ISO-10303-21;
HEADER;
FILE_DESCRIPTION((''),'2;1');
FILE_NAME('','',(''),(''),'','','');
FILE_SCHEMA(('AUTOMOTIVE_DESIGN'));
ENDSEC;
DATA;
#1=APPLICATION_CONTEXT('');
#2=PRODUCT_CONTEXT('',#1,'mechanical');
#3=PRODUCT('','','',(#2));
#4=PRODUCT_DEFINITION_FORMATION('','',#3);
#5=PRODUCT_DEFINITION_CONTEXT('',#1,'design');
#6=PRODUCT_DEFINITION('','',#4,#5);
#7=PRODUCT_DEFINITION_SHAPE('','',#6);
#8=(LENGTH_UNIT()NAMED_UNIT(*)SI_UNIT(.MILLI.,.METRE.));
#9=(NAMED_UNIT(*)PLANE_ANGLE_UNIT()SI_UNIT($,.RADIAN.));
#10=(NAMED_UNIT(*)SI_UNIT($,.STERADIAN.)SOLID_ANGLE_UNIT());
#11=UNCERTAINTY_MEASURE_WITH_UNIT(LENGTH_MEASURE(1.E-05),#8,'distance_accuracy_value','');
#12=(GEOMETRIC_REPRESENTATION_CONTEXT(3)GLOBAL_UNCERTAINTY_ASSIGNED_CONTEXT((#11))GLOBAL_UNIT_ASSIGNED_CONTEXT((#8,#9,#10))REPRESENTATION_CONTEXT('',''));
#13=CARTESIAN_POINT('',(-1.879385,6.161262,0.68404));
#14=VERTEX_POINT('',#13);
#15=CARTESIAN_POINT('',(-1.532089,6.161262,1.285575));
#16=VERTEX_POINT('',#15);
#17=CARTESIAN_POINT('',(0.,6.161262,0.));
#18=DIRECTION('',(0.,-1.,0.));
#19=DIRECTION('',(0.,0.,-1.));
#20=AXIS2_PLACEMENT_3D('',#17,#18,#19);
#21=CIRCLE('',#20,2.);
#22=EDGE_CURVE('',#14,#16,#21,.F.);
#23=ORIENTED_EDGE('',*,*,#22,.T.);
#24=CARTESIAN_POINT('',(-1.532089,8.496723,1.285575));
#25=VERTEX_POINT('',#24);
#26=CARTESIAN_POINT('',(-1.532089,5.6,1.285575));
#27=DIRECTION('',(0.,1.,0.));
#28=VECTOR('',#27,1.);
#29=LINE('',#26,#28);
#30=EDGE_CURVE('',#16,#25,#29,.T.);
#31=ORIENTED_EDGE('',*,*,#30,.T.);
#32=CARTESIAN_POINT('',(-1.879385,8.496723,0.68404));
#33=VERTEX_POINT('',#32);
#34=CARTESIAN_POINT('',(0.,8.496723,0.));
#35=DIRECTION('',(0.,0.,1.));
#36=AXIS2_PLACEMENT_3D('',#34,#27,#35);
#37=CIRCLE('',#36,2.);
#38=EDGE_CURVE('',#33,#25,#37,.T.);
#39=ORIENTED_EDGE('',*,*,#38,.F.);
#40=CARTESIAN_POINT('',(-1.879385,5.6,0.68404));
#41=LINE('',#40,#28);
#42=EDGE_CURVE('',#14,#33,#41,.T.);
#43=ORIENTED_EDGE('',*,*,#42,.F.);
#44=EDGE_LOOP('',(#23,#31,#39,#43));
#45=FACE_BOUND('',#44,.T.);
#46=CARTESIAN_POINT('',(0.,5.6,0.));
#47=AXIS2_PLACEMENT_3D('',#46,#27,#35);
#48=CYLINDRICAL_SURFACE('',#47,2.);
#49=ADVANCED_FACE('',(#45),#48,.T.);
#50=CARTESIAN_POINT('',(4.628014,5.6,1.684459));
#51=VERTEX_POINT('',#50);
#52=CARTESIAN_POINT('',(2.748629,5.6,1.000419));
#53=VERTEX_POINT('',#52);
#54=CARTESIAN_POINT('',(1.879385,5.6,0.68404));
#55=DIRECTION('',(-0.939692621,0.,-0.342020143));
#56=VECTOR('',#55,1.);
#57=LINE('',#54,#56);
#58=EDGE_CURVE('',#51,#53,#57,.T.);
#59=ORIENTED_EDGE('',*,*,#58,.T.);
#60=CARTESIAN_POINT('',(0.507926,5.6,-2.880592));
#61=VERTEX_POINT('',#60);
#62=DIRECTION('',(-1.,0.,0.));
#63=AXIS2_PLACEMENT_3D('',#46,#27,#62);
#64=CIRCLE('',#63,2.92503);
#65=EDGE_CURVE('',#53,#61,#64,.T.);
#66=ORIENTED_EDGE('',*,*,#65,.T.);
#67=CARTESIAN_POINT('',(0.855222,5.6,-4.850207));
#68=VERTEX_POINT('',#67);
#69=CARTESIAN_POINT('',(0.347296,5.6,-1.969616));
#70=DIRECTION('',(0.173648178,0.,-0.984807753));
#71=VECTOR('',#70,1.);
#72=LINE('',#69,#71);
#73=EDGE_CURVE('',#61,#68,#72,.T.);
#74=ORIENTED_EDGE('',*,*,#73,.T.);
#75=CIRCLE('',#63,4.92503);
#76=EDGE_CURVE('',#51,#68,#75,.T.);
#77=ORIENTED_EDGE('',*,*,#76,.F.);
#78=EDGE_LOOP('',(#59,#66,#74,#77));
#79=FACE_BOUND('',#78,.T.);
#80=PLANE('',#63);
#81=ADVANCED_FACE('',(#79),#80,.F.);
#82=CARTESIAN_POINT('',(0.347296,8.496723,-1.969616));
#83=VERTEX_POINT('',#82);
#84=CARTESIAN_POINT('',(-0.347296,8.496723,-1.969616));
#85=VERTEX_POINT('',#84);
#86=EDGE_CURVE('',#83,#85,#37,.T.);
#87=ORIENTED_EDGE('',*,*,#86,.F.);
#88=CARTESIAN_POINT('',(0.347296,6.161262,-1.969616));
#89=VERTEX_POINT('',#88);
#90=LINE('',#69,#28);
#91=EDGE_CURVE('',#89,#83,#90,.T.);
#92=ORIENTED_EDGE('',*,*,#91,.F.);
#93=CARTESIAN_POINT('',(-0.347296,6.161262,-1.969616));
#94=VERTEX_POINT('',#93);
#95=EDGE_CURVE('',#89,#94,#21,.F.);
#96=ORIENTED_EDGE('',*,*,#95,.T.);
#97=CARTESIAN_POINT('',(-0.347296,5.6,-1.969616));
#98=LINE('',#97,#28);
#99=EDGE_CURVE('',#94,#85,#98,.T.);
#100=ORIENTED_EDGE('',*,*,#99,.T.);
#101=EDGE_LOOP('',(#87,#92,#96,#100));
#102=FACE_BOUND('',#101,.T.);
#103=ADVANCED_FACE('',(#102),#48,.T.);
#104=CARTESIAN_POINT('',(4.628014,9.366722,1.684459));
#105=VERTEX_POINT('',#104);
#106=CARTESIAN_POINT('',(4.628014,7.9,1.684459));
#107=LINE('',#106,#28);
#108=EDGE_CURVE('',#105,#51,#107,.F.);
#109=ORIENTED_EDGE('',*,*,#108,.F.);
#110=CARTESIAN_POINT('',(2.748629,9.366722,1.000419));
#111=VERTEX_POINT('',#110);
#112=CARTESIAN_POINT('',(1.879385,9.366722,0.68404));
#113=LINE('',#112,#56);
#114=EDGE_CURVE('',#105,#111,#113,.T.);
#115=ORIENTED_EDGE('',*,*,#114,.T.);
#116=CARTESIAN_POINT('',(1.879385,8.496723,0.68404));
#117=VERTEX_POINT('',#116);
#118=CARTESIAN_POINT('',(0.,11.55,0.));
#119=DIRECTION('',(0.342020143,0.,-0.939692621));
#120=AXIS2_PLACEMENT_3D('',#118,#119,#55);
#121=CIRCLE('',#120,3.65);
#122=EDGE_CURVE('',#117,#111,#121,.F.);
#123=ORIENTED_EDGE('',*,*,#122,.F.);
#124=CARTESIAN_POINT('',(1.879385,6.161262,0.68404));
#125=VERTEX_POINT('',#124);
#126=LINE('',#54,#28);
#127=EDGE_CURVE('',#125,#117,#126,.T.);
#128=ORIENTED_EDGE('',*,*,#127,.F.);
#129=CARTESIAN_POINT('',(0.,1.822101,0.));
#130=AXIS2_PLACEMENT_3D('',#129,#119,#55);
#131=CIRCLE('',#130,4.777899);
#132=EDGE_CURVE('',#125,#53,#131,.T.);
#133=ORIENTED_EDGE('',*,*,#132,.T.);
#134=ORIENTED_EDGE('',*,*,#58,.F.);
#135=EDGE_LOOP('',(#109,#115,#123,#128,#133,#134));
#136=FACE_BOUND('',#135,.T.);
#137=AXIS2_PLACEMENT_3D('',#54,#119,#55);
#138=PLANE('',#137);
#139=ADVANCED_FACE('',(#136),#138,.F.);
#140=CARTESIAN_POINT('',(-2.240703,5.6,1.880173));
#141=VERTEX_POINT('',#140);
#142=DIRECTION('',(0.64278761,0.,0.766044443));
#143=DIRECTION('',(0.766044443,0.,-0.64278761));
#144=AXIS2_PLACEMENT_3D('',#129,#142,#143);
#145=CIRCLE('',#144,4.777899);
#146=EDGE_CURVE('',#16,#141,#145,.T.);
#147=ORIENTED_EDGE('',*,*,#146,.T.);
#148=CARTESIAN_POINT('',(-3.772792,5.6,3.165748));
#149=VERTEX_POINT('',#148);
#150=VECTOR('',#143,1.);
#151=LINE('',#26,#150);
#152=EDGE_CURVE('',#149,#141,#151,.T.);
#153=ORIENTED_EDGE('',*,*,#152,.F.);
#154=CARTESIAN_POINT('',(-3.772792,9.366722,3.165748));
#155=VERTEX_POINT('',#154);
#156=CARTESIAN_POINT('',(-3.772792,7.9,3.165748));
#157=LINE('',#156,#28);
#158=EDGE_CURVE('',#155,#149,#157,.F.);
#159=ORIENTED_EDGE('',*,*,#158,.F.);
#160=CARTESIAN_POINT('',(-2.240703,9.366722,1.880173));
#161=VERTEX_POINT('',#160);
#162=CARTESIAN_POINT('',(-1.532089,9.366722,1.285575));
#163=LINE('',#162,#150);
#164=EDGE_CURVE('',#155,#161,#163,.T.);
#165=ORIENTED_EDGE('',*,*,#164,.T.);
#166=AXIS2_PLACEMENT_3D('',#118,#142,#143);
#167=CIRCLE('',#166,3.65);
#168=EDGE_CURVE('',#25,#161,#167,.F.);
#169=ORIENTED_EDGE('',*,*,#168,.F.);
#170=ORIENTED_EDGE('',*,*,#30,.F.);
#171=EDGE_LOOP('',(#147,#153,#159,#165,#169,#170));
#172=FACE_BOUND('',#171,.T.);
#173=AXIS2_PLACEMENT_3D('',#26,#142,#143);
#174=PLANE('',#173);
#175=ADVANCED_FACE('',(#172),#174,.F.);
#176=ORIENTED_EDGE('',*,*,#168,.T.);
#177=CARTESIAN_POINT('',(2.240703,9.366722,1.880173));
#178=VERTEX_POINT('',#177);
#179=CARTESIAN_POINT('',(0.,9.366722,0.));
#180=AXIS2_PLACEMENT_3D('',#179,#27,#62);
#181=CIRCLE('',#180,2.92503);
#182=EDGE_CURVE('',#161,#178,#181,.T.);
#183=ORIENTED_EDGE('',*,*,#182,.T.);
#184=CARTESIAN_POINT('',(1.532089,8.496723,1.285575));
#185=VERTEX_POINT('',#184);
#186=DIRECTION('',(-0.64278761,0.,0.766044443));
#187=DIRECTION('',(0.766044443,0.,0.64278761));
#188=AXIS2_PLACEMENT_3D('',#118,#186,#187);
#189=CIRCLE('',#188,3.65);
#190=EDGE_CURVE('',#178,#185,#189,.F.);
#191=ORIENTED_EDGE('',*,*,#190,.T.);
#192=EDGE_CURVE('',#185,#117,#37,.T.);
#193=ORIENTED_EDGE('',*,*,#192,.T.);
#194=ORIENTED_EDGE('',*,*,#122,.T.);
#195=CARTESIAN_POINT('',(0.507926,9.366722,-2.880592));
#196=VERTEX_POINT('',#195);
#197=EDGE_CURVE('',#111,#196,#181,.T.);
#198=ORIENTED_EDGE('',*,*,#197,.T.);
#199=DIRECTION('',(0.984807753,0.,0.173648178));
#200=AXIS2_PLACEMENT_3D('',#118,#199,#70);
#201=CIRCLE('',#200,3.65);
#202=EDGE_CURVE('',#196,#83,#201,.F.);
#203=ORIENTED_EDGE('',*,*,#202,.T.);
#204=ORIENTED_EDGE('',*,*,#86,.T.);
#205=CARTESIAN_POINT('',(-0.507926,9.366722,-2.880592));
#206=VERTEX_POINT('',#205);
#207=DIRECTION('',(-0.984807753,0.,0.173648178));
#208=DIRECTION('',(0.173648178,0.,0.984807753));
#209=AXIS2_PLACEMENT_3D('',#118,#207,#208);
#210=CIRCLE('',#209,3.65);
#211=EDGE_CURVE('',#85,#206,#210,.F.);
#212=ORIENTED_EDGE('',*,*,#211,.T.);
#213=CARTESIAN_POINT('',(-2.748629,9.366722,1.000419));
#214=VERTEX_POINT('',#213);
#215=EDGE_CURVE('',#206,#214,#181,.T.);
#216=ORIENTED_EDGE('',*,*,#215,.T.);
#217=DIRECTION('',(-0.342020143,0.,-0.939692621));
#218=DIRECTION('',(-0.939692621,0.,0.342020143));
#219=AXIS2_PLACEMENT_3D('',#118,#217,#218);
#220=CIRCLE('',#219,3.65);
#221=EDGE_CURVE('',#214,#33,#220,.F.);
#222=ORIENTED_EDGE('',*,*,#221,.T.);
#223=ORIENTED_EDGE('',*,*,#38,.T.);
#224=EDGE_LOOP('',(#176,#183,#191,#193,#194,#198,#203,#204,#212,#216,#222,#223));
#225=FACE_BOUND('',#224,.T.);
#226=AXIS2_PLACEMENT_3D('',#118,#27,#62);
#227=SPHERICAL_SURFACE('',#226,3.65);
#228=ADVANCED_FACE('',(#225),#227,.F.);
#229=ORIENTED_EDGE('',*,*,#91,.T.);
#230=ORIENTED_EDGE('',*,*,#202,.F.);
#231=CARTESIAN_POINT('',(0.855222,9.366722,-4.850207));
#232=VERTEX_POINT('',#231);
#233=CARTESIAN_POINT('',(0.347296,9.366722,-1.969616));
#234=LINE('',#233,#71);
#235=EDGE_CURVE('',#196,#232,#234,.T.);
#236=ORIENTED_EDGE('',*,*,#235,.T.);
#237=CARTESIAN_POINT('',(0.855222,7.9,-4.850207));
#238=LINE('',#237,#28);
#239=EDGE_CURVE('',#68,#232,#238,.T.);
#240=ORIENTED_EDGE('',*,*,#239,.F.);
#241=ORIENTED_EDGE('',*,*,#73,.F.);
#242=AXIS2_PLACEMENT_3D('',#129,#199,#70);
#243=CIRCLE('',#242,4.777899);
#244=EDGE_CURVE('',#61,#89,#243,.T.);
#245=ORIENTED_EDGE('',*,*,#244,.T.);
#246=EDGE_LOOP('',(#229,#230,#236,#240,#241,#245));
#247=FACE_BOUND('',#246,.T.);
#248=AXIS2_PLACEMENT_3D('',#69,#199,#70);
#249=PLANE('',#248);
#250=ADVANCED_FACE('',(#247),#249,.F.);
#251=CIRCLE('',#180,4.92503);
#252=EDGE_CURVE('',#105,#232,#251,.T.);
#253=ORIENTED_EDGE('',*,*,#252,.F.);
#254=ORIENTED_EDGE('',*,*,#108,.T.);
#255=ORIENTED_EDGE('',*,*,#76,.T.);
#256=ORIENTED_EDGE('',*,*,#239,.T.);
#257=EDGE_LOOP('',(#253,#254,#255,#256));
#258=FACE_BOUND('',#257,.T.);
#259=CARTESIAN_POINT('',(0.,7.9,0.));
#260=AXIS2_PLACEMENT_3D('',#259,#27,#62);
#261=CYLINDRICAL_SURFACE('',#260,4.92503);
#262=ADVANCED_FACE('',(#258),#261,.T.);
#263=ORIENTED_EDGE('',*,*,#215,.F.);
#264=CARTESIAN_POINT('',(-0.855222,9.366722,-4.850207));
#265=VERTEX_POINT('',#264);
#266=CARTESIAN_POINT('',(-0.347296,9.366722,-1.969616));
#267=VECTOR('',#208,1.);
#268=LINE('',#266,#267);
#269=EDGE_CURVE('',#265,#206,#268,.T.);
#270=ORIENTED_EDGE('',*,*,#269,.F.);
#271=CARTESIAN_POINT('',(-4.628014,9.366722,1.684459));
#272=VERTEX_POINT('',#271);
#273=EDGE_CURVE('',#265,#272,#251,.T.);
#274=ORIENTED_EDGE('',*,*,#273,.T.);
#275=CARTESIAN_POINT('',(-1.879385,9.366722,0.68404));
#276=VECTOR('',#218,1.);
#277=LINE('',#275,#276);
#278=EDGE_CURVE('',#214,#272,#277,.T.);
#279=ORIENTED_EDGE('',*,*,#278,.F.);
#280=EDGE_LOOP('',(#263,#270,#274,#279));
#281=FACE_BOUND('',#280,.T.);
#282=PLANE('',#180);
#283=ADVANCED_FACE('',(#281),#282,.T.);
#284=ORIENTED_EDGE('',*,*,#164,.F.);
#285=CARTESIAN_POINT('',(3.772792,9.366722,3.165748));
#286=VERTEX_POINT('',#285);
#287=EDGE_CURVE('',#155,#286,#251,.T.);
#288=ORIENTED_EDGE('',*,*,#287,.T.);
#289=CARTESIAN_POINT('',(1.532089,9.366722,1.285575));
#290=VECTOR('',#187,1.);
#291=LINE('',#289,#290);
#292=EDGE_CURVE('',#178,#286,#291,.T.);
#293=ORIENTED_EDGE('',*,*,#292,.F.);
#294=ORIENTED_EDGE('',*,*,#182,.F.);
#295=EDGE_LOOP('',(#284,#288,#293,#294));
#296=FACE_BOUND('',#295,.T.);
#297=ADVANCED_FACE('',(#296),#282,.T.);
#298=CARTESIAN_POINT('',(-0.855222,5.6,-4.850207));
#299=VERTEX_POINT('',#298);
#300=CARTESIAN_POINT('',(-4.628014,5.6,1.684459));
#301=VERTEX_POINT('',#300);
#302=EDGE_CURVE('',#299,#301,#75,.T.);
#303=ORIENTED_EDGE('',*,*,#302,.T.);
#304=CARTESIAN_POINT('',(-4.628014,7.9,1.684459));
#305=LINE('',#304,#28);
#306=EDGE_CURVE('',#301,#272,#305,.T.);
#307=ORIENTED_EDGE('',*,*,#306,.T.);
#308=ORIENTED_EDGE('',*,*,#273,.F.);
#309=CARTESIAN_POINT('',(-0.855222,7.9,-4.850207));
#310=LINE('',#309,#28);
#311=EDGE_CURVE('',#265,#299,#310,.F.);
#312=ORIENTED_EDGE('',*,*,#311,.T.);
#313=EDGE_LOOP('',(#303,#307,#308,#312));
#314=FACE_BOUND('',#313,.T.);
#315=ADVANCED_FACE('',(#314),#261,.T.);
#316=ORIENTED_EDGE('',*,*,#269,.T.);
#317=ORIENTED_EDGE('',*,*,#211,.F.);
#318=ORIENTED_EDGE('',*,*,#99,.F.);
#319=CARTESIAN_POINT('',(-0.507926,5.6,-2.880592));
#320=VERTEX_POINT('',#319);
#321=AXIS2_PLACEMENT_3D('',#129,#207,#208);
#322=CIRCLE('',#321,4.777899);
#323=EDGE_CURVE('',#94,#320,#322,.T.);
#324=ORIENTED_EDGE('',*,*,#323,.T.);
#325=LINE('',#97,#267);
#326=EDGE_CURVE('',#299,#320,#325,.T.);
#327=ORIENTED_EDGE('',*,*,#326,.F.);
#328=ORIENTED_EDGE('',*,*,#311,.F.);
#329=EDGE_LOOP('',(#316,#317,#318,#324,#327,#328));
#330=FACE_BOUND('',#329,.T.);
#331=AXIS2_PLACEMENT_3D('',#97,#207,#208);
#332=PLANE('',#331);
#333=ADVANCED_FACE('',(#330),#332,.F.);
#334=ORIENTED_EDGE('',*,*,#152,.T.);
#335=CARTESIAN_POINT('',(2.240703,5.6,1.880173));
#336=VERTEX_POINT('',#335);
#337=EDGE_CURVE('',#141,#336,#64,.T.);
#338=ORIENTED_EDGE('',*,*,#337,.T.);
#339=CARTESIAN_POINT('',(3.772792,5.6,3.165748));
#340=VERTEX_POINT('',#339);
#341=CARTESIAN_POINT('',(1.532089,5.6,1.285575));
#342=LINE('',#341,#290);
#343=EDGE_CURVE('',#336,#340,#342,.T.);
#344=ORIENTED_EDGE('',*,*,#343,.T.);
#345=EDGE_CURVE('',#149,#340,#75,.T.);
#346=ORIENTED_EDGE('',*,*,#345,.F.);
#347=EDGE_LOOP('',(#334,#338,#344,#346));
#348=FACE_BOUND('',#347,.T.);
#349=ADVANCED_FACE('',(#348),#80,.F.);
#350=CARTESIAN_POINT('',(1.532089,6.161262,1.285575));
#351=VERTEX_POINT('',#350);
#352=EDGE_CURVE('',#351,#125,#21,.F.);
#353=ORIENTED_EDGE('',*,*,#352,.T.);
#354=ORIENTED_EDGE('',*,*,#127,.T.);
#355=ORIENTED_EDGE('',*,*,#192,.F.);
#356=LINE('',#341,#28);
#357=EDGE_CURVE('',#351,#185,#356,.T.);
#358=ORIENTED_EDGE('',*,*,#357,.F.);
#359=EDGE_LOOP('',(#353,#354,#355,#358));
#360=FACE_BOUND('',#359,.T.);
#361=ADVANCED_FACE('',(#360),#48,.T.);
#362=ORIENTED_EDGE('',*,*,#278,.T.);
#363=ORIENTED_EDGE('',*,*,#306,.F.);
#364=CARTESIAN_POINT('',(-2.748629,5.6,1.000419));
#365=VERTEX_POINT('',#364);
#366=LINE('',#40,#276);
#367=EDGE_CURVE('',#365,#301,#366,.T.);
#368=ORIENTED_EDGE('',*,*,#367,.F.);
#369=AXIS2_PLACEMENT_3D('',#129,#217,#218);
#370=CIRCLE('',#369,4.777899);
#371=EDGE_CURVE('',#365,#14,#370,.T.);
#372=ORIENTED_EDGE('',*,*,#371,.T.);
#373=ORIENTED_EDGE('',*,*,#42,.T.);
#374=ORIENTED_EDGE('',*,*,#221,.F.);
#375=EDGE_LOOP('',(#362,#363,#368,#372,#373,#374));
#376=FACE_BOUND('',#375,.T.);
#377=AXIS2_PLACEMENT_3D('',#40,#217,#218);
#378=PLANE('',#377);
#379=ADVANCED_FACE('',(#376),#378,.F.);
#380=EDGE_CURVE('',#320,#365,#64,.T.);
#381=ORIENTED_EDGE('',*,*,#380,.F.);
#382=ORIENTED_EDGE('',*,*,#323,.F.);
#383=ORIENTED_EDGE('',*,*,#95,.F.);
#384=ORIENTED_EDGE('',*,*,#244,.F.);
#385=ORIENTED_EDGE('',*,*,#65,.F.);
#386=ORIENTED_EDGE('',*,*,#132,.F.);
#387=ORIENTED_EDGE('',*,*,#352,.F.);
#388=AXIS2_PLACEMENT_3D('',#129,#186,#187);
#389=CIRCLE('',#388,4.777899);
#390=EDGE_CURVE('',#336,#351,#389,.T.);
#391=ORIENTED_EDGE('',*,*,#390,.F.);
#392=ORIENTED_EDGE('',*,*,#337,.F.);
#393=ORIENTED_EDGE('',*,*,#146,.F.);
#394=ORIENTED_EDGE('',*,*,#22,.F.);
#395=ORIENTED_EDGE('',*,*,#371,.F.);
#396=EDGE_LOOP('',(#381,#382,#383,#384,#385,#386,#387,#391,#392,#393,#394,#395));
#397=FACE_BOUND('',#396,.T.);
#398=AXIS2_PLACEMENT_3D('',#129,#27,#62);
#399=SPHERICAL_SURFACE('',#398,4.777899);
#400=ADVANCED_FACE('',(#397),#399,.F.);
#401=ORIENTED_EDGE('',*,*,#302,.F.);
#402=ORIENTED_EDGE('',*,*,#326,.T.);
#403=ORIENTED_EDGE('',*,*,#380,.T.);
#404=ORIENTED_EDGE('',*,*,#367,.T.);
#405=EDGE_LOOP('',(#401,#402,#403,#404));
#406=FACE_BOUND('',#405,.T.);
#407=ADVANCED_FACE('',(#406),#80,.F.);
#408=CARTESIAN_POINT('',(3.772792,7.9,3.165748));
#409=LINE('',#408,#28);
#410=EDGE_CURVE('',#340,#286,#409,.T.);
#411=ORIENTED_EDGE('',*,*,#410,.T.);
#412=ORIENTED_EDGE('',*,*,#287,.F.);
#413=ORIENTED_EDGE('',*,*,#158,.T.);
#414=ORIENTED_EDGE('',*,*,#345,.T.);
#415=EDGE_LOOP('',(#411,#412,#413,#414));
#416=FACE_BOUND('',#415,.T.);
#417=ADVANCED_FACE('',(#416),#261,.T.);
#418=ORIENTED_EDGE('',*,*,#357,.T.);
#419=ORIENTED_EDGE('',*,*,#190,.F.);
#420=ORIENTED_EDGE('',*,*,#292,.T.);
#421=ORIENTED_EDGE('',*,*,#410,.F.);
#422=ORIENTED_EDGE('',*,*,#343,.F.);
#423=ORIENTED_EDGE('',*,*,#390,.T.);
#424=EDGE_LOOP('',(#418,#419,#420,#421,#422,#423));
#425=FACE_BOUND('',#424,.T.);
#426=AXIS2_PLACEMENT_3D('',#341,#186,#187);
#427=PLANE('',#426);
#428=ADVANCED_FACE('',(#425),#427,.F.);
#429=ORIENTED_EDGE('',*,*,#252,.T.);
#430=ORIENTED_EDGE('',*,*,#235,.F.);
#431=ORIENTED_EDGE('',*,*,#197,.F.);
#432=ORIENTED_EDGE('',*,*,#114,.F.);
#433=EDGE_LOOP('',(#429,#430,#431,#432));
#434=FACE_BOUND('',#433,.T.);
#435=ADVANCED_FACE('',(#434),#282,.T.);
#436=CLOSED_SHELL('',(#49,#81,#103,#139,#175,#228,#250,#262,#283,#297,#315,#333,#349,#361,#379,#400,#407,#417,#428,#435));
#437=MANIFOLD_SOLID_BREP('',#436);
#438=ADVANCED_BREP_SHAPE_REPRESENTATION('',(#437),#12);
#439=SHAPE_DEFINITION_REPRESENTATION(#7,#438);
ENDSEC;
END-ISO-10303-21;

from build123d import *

# Parameters (mm, degrees)
CUT_EXTRUDE_1_DEPTH = 8.918334965


with BuildPart() as part:
    # 草图1 → 旋转2 (revolve)
    with BuildSketch(Plane.XY):
        with BuildLine():
            Line((-2.925029572, 5.6), (-4.925029572, 5.6))
            Line((-4.925029572, 5.6), (-4.925029572, 9.366722189))
            Line((-4.925029572, 9.366722189), (-2.925029572, 9.366722189))
            ThreePointArc((-2.925029572, 9.366722189), (-1.636083126, 8.287220203), (0, 7.9))
            Line((0, 7.9), (0, 6.6))
            ThreePointArc((0, 6.6), (-1.54562269, 6.343093076), (-2.925029572, 5.6))
        make_face()
    revolve(axis=Axis((0, 7.9, 0), (0, -1, 0)))

    # 草图2 → 切除-拉伸1 (cut, through all)
    with BuildSketch(Plane(origin=(0, 9.366722189, 0), x_dir=(1, 0, 0), z_dir=(0, 1, 0))):
        with BuildLine():
            Line((-0.347296355, 1.969615506), (-1.736481777, 9.84807753))
            ThreePointArc((-1.736481777, 9.84807753), (0, 10), (1.736481777, 9.84807753))
            Line((1.736481777, 9.84807753), (0.347296355, 1.969615506))
            ThreePointArc((0.347296355, 1.969615506), (0, 2), (-0.347296355, 1.969615506))
        make_face()
        with BuildLine():
            Line((1.879385242, -0.684040287), (9.396926208, -3.420201433))
            ThreePointArc((9.396926208, -3.420201433), (8.660254038, -5), (7.660444431, -6.427876097))
            Line((7.660444431, -6.427876097), (1.532088886, -1.285575219))
            ThreePointArc((1.532088886, -1.285575219), (1.732050808, -1), (1.879385242, -0.684040287))
        make_face()
        with BuildLine():
            Line((-1.532088886, -1.285575219), (-7.660444431, -6.427876097))
            ThreePointArc((-7.660444431, -6.427876097), (-8.660254038, -5), (-9.396926208, -3.420201433))
            Line((-9.396926208, -3.420201433), (-1.879385242, -0.684040287))
            ThreePointArc((-1.879385242, -0.684040287), (-1.732050808, -1), (-1.532088886, -1.285575219))
        make_face()
    extrude(amount=-CUT_EXTRUDE_1_DEPTH, mode=Mode.SUBTRACT)


solid = part.part
